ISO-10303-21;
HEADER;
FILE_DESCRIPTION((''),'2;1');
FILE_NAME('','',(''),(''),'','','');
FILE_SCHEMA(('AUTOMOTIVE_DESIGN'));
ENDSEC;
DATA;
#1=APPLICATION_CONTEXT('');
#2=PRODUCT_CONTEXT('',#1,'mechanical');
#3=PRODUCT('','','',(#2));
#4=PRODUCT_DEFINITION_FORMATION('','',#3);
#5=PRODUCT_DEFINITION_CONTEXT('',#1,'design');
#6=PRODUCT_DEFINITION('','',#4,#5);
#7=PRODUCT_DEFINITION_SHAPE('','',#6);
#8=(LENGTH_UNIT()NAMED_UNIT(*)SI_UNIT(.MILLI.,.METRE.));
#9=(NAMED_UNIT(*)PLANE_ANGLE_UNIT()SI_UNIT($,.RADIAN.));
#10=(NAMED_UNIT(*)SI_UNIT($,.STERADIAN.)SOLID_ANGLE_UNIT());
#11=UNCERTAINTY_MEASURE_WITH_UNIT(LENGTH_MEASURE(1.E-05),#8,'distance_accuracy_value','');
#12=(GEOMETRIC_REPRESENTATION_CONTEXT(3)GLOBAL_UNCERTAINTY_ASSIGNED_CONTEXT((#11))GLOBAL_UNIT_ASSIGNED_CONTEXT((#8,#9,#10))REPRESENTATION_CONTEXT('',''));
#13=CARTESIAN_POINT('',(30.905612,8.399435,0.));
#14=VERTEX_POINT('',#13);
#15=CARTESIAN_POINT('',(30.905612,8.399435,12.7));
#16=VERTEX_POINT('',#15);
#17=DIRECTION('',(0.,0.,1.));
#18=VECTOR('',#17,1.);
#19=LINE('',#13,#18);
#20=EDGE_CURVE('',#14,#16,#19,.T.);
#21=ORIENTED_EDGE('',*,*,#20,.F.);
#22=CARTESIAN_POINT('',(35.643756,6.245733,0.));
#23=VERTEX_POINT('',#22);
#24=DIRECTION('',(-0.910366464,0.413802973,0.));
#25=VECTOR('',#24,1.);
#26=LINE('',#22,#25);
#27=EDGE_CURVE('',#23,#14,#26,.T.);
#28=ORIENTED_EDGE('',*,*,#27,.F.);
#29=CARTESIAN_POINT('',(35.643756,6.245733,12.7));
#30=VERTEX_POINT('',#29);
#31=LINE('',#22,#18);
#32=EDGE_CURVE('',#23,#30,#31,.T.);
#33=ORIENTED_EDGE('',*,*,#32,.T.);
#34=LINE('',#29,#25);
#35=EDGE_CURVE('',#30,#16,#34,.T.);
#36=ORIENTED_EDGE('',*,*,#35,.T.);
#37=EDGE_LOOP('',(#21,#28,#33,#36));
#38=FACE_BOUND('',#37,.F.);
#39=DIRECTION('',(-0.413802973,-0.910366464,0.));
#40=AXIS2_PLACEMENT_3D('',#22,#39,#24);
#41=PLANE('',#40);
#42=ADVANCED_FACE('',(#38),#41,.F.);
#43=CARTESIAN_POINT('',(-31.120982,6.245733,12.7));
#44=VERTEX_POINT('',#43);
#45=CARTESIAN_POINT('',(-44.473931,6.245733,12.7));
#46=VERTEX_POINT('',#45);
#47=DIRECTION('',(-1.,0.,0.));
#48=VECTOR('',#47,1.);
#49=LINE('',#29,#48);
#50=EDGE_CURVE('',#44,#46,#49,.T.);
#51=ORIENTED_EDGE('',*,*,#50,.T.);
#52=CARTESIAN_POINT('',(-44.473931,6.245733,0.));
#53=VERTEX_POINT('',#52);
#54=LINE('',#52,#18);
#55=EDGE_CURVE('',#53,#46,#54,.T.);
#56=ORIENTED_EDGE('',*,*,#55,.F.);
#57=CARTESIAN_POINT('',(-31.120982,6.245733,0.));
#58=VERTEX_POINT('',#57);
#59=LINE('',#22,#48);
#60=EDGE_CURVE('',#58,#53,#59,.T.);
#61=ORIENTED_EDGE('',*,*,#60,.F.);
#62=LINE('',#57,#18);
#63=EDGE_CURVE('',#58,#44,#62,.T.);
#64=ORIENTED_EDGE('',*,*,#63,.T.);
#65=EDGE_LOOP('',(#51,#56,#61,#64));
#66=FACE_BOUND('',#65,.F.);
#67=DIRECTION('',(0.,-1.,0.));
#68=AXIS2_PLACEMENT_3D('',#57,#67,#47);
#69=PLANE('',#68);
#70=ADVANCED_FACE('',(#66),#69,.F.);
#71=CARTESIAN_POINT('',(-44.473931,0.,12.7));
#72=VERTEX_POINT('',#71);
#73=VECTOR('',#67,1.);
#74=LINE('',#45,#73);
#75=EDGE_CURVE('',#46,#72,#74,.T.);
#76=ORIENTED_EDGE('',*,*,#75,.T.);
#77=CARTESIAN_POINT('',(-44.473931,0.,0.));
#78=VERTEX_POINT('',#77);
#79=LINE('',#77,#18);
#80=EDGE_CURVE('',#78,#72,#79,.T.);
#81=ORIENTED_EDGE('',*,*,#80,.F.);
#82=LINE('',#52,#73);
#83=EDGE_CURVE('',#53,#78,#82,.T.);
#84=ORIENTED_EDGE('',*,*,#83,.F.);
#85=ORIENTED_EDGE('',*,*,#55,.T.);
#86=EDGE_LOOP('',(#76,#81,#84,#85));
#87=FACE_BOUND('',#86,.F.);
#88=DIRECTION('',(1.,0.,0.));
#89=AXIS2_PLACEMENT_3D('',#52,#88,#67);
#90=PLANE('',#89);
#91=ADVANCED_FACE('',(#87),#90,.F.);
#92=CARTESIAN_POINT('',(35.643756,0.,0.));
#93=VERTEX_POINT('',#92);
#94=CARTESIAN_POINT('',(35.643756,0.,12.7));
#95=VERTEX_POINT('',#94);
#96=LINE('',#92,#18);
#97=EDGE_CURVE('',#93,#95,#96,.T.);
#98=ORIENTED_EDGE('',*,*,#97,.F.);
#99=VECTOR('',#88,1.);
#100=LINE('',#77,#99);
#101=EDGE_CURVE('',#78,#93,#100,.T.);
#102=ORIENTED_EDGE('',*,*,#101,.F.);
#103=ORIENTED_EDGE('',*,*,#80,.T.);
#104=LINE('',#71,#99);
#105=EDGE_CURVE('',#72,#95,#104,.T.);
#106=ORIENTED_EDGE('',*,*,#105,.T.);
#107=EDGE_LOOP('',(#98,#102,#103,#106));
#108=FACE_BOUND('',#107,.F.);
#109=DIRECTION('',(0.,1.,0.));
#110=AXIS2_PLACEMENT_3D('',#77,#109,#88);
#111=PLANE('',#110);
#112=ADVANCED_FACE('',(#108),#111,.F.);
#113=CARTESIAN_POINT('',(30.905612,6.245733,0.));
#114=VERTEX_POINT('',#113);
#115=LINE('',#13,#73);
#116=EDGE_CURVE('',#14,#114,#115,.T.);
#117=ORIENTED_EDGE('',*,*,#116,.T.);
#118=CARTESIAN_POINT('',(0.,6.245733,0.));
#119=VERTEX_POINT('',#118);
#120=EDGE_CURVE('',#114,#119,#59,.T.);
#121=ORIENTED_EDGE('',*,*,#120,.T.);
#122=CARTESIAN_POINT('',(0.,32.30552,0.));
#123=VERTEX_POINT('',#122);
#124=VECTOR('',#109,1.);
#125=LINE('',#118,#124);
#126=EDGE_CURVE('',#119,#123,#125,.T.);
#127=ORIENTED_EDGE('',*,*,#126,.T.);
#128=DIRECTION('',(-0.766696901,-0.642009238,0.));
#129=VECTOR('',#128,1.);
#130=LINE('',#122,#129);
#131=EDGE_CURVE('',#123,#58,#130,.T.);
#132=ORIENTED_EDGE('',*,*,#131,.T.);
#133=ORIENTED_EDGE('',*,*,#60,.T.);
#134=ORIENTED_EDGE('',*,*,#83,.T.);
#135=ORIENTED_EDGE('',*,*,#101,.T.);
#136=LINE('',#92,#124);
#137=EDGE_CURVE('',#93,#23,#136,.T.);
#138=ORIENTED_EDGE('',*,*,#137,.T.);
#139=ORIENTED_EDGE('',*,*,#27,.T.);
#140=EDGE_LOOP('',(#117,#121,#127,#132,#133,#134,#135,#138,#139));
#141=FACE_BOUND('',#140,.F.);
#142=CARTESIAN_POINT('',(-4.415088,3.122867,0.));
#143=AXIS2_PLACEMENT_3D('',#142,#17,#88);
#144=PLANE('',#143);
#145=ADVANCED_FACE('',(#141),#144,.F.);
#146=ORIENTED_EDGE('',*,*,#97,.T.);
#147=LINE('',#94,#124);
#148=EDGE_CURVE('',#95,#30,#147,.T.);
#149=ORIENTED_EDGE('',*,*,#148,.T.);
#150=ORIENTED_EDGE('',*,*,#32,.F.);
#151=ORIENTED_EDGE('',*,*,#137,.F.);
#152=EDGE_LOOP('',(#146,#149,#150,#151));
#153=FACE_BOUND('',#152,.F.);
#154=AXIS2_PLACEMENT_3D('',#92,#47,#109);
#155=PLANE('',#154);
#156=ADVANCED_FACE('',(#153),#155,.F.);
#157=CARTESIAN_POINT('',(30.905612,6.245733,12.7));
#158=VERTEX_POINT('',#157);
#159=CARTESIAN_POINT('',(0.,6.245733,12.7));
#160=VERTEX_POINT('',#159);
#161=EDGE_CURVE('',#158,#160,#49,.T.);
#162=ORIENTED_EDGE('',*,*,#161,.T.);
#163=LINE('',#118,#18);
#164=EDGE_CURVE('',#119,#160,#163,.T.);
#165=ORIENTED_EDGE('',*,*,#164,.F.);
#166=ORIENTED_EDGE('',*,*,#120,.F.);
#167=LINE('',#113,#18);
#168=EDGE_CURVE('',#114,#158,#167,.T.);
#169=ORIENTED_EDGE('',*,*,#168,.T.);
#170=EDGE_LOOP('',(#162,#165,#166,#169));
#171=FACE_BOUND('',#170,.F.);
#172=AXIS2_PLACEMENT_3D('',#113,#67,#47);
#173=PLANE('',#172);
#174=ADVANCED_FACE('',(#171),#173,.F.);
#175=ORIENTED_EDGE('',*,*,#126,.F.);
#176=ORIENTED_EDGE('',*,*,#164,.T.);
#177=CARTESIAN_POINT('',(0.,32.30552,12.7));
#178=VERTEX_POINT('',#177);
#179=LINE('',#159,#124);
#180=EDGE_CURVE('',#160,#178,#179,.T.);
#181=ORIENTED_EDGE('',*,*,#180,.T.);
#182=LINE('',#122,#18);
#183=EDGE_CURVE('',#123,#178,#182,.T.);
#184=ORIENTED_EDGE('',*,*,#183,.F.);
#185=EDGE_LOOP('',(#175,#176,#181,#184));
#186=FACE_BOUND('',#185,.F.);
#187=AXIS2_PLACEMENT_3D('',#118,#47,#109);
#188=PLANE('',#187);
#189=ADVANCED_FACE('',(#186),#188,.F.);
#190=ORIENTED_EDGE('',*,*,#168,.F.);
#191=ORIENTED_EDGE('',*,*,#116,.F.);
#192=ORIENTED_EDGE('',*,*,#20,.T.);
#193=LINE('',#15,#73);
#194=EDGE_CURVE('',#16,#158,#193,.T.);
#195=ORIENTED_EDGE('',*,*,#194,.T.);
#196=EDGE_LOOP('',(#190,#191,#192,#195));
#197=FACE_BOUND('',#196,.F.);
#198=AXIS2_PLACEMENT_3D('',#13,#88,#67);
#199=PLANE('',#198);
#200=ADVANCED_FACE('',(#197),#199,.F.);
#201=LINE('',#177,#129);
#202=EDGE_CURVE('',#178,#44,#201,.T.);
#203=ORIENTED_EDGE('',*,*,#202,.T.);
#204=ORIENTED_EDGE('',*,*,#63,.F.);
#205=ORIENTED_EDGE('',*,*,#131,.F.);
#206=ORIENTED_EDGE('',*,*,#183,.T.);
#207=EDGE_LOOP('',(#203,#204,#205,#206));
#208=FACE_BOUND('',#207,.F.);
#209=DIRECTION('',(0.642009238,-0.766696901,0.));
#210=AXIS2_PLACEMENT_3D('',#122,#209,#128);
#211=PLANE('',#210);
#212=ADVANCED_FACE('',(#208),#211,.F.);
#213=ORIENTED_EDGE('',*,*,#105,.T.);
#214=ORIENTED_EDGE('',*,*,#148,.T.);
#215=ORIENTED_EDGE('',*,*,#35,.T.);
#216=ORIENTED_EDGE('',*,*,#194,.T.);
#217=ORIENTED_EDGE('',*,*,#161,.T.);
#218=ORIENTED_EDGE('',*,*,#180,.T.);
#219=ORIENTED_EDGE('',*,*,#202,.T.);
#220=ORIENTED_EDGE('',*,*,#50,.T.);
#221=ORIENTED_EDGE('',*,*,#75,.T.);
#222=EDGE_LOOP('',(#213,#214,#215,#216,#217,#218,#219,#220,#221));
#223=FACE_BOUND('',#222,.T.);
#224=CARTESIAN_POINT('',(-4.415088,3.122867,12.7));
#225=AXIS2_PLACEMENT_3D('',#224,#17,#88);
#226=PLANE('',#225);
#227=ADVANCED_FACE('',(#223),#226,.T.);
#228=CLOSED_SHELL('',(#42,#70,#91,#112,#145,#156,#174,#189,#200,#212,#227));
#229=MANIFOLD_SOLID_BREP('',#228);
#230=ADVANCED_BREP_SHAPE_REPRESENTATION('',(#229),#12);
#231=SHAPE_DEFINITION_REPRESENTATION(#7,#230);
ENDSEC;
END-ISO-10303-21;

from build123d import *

# Parameters (mm, degrees)
F1_DEPTH = 12.7


with BuildPart() as f1:
    # F0 (on Top) → F1 (new body)
    with BuildSketch(Plane.XY):
        Polygon((-31.120982, 6.245733), (-44.473931, 6.245733), (-44.473931, 0), (35.643756, 0), (35.643756, 6.245733), (30.905612, 6.245733), (0, 6.245733), align=None)
        Polygon((0, 32.30552), (-31.120982, 6.245733), (0, 6.245733), align=None)
        Polygon((30.905612, 8.399435), (30.905612, 6.245733), (35.643756, 6.245733), align=None)
    extrude(amount=F1_DEPTH)


solid = f1.part
